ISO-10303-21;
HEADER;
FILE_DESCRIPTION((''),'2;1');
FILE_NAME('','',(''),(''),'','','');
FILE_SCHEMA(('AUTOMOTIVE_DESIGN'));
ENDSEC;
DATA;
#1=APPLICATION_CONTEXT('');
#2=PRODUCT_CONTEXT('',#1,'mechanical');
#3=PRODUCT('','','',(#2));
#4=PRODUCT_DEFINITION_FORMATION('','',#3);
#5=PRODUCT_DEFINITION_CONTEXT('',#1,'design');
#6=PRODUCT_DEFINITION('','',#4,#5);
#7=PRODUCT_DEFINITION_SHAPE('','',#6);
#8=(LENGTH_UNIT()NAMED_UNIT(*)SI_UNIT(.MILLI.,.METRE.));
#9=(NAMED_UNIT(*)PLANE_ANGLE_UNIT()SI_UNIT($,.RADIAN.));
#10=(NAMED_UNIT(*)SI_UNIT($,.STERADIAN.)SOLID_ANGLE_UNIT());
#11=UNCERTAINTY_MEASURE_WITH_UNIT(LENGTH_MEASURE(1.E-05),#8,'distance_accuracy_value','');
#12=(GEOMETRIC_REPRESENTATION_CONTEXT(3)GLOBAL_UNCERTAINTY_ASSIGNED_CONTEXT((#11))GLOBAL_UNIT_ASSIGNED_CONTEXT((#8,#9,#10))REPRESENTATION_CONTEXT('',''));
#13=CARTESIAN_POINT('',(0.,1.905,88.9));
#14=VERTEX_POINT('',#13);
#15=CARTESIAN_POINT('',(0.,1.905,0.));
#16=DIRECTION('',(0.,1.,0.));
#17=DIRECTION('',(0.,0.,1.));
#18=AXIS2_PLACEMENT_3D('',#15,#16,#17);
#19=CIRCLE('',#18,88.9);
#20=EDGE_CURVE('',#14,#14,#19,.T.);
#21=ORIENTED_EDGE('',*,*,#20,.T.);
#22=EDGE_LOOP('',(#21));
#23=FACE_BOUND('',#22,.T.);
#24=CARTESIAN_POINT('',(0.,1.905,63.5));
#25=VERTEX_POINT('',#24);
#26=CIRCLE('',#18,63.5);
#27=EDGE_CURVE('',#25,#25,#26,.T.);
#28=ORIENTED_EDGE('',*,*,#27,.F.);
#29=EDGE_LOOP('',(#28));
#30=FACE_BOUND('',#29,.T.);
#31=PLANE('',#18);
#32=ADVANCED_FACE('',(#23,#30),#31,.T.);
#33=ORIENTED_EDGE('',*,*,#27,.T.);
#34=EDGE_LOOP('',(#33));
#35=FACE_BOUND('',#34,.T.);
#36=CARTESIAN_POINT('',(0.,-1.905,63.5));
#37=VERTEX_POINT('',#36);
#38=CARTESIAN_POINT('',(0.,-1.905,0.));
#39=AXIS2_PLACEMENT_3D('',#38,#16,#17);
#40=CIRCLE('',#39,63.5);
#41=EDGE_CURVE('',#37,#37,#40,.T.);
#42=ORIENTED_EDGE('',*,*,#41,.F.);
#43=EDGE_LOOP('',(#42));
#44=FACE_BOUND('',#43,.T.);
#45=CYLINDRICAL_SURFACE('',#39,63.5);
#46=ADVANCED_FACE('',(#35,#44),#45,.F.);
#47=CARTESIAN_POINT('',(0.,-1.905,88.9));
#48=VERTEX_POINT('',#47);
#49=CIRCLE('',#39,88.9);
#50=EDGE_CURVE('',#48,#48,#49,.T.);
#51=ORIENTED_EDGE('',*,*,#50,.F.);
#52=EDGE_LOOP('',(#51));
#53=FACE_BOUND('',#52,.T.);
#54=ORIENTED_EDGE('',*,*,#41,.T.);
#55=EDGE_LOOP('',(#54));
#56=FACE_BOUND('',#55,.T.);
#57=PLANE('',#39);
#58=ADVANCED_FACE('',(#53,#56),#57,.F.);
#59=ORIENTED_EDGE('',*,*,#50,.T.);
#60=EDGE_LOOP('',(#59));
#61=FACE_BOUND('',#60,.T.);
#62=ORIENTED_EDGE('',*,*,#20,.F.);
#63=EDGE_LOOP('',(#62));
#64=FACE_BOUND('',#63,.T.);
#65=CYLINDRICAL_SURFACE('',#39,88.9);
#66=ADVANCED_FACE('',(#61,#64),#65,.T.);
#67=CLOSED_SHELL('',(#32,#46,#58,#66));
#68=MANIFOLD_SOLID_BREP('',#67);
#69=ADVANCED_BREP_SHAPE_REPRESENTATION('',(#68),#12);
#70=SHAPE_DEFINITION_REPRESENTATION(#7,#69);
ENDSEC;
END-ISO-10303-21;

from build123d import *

# Parameters (mm, degrees)
CENTERING_RING_EXTRUDE_DEPTH           = 1.905
CENTERING_RING_EXTRUDE_DEPTH_BACK      = 1.905
F_98MM_6ID_CENTERING_RING_SKETCH_7_R   = 88.9
F_98MM_6ID_CENTERING_RING_SKETCH_7_R_2 = 63.5


with BuildPart() as part:
    # 98mm - 6ID centering ring sketch_7 → Centering Ring Extrude (new, two sides: drawn at the far end of the back side and taken through both)
    with BuildSketch(Plane(origin=(0, 0, 0), x_dir=(1, 0, 0), z_dir=(0, 1, 0)).offset(-CENTERING_RING_EXTRUDE_DEPTH_BACK)):
        Circle(F_98MM_6ID_CENTERING_RING_SKETCH_7_R)
        Circle(F_98MM_6ID_CENTERING_RING_SKETCH_7_R_2, mode=Mode.SUBTRACT)
    extrude(amount=CENTERING_RING_EXTRUDE_DEPTH + CENTERING_RING_EXTRUDE_DEPTH_BACK)


solid = part.part
